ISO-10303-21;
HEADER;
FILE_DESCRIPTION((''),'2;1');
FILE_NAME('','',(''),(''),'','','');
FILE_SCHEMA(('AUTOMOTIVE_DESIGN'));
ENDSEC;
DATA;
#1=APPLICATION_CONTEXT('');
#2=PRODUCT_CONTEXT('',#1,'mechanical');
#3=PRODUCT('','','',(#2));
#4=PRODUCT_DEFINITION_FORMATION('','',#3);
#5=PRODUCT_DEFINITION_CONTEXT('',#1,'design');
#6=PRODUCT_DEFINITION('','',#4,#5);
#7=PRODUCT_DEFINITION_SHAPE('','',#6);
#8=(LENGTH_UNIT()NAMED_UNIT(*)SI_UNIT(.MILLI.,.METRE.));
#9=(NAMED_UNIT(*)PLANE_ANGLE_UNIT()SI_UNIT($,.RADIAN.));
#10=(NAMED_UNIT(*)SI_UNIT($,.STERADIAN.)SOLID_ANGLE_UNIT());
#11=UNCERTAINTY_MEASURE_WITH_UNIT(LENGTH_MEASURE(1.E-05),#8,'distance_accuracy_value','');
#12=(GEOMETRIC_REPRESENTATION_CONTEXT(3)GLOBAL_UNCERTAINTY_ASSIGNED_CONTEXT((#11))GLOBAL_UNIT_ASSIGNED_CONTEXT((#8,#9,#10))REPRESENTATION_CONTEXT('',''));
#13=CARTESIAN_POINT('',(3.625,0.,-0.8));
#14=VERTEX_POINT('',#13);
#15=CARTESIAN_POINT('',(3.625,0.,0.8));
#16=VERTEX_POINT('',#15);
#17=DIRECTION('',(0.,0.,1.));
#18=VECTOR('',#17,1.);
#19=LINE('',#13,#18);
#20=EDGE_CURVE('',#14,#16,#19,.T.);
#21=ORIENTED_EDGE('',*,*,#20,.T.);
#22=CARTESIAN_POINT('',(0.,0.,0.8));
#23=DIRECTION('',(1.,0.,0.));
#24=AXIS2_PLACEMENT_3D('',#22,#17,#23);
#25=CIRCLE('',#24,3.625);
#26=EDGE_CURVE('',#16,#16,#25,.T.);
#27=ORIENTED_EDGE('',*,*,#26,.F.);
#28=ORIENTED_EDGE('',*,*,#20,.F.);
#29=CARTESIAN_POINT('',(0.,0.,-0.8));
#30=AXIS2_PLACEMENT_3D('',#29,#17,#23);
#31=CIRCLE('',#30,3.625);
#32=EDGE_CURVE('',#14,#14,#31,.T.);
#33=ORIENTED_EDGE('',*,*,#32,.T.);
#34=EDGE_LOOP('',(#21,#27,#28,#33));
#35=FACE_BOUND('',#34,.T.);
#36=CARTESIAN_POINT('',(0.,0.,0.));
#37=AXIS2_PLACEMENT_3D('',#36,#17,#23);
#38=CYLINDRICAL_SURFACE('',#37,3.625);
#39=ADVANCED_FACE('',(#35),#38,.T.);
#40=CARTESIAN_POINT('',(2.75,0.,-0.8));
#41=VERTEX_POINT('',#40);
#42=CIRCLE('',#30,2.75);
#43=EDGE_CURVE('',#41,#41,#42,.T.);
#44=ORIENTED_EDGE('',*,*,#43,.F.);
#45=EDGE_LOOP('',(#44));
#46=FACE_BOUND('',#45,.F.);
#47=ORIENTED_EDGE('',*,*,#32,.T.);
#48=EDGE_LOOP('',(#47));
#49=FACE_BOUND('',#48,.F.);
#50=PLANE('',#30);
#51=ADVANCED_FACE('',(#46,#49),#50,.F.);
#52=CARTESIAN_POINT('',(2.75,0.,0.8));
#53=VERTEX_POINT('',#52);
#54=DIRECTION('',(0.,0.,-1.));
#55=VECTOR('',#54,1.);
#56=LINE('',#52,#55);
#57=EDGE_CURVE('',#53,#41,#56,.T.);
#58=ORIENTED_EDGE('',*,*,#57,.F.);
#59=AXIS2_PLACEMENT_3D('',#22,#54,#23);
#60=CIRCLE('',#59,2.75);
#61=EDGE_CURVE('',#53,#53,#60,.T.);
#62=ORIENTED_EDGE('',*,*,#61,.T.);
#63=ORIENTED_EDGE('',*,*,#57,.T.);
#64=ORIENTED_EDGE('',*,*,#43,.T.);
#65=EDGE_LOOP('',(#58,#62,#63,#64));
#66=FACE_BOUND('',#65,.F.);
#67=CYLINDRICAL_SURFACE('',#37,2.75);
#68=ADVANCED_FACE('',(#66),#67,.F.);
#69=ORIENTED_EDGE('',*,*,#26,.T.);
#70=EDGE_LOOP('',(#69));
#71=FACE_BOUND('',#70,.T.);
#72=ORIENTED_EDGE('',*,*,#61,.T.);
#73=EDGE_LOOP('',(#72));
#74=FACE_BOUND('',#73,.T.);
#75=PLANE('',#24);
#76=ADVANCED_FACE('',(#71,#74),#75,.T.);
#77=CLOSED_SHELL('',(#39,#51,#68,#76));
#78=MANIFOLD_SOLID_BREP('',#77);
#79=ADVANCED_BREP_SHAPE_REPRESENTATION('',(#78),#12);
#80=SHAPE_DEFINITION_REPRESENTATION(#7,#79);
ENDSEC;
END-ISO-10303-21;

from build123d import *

# Parameters (mm, degrees)
F0_R          = 3.625
F1_DEPTH      = 0.8
F2_R          = 2.75
F3_DEPTH      = 0.801
F3_DEPTH_BACK = 0.801


with BuildPart() as f1:
    # F0 (on Top) → F1 (new body, symmetric)
    with BuildSketch(Plane.XY):
        Circle(F0_R)
    extrude(amount=F1_DEPTH, both=True)

    # F2 (on Top) → F3 (cut, two sides)
    with BuildSketch(Plane.XY) as f3_sk:
        Circle(F2_R)
    extrude(amount=-F3_DEPTH, mode=Mode.SUBTRACT)
    extrude(f3_sk.sketch, amount=F3_DEPTH_BACK, mode=Mode.SUBTRACT)


solid = f1.part
